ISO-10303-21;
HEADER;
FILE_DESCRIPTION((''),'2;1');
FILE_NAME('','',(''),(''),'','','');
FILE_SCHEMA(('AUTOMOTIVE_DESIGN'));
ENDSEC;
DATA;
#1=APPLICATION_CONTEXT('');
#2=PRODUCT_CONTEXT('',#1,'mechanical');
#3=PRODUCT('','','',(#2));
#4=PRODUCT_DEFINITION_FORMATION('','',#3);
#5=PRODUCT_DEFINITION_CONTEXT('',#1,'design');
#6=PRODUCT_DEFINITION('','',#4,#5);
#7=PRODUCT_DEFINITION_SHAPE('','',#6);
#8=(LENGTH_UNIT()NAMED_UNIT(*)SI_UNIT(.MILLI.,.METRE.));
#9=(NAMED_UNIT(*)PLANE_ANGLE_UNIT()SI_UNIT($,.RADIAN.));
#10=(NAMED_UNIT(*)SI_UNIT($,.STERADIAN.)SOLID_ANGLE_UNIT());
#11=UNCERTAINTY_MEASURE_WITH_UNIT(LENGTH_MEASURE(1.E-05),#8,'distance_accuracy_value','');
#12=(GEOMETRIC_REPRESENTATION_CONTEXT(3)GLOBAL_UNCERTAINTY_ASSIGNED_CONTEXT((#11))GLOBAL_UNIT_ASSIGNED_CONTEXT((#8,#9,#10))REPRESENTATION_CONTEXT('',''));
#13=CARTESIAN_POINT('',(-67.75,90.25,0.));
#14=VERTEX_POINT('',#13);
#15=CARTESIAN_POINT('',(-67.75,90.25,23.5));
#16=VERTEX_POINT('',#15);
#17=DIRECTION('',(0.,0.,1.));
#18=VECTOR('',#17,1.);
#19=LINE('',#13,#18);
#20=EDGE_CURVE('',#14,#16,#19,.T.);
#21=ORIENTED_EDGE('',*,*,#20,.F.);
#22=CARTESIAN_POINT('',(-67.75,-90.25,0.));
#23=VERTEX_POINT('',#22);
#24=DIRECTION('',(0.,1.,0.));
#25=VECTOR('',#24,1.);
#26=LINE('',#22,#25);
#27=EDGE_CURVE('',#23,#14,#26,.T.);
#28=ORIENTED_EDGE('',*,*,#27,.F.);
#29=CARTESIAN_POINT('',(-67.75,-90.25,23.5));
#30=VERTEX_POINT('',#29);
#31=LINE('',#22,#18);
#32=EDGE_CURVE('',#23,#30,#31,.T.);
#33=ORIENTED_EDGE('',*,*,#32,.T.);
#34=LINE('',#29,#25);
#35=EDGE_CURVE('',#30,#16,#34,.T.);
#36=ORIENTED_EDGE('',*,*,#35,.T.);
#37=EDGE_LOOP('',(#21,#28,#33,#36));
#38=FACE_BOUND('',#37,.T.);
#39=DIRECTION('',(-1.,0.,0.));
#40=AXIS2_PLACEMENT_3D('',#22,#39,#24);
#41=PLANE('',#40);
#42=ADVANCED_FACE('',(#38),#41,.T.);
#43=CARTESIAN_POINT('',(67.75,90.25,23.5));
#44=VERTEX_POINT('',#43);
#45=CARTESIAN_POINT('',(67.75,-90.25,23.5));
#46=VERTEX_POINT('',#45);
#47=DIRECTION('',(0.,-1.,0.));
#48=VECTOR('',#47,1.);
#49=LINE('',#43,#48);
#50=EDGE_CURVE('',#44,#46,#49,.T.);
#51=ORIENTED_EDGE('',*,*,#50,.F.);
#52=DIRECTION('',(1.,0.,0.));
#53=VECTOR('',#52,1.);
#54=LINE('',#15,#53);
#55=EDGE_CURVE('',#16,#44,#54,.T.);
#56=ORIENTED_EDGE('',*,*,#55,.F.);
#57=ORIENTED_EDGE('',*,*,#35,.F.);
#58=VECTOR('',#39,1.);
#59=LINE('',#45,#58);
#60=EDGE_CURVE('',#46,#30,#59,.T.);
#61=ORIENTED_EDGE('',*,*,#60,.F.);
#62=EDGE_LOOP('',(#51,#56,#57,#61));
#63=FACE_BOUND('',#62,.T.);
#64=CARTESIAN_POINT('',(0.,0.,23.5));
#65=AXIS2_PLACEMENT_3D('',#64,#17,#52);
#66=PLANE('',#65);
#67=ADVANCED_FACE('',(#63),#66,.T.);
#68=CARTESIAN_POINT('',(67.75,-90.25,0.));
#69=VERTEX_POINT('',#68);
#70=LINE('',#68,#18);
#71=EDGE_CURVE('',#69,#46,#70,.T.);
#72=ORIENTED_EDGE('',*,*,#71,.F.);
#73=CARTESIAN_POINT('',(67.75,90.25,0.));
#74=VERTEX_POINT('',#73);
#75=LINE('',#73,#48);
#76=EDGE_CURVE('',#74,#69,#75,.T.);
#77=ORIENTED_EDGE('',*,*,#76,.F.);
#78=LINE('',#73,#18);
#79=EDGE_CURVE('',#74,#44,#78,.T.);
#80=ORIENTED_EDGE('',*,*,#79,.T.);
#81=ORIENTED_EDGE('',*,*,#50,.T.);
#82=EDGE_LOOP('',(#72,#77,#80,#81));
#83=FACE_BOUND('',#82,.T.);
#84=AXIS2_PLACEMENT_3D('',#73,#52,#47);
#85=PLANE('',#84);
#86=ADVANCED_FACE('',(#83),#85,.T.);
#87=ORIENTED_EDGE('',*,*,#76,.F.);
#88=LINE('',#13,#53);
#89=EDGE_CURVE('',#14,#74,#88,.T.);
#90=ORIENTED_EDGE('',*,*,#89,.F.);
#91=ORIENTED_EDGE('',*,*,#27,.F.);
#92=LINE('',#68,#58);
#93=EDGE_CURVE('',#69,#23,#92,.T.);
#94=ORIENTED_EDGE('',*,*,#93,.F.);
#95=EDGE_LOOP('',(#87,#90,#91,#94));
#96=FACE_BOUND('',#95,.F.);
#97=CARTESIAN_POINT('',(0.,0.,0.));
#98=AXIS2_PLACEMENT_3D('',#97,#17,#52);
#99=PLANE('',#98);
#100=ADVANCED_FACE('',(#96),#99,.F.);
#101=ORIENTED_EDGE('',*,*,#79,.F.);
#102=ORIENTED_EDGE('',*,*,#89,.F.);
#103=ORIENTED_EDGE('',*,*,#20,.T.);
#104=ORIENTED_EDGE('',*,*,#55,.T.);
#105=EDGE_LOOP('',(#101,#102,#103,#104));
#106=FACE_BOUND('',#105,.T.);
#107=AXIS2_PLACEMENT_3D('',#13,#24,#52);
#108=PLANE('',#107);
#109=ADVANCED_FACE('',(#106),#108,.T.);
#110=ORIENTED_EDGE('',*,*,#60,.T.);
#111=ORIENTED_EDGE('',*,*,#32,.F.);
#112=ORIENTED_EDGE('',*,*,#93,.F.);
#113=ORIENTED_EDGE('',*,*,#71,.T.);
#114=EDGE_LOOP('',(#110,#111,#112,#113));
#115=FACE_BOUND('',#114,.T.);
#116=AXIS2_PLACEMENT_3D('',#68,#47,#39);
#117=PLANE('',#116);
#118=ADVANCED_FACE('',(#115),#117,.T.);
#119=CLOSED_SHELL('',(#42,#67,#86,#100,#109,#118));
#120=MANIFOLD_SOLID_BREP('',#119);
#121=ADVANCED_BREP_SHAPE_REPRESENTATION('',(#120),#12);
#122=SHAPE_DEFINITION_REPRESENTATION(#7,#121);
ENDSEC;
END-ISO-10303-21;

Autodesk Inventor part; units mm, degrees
ref_plane "YZ Plane" through (0, 0, 0) normal (1, 0, 0) x (0, 1, 0)
ref_plane "XZ Plane" through (0, 0, 0) normal (0, 1, 0) x (-1, 0, 0)
ref_plane "XY Plane" through (0, 0, 0) normal (0, 0, 1) x (1, 0, 0)
sketch "Skizze1" plane through (0, 0, 0) normal (0, 0, 1) x (1, 0, 0)
  line L0 (-67.75, 90.25) -> (67.75, 90.25)
  line L1 (67.75, 90.25) -> (67.75, -90.25)
  line L2 (67.75, -90.25) -> (-67.75, -90.25)
  line L3 (-67.75, -90.25) -> (-67.75, 90.25)
  line L4 (-67.75, 90.25) -> (67.75, -90.25) construction
  line L5 (67.75, 90.25) -> (-67.75, -90.25) construction
  point P0 (0, 0)
  dimension "d0" = 135.5
  dimension "d1" = 180.5
extrude "Extrusion1" add sketch "Skizze1" along normal blind 23.5
properties part number "2025_01_29_Reaktorkorpus_vorne"
